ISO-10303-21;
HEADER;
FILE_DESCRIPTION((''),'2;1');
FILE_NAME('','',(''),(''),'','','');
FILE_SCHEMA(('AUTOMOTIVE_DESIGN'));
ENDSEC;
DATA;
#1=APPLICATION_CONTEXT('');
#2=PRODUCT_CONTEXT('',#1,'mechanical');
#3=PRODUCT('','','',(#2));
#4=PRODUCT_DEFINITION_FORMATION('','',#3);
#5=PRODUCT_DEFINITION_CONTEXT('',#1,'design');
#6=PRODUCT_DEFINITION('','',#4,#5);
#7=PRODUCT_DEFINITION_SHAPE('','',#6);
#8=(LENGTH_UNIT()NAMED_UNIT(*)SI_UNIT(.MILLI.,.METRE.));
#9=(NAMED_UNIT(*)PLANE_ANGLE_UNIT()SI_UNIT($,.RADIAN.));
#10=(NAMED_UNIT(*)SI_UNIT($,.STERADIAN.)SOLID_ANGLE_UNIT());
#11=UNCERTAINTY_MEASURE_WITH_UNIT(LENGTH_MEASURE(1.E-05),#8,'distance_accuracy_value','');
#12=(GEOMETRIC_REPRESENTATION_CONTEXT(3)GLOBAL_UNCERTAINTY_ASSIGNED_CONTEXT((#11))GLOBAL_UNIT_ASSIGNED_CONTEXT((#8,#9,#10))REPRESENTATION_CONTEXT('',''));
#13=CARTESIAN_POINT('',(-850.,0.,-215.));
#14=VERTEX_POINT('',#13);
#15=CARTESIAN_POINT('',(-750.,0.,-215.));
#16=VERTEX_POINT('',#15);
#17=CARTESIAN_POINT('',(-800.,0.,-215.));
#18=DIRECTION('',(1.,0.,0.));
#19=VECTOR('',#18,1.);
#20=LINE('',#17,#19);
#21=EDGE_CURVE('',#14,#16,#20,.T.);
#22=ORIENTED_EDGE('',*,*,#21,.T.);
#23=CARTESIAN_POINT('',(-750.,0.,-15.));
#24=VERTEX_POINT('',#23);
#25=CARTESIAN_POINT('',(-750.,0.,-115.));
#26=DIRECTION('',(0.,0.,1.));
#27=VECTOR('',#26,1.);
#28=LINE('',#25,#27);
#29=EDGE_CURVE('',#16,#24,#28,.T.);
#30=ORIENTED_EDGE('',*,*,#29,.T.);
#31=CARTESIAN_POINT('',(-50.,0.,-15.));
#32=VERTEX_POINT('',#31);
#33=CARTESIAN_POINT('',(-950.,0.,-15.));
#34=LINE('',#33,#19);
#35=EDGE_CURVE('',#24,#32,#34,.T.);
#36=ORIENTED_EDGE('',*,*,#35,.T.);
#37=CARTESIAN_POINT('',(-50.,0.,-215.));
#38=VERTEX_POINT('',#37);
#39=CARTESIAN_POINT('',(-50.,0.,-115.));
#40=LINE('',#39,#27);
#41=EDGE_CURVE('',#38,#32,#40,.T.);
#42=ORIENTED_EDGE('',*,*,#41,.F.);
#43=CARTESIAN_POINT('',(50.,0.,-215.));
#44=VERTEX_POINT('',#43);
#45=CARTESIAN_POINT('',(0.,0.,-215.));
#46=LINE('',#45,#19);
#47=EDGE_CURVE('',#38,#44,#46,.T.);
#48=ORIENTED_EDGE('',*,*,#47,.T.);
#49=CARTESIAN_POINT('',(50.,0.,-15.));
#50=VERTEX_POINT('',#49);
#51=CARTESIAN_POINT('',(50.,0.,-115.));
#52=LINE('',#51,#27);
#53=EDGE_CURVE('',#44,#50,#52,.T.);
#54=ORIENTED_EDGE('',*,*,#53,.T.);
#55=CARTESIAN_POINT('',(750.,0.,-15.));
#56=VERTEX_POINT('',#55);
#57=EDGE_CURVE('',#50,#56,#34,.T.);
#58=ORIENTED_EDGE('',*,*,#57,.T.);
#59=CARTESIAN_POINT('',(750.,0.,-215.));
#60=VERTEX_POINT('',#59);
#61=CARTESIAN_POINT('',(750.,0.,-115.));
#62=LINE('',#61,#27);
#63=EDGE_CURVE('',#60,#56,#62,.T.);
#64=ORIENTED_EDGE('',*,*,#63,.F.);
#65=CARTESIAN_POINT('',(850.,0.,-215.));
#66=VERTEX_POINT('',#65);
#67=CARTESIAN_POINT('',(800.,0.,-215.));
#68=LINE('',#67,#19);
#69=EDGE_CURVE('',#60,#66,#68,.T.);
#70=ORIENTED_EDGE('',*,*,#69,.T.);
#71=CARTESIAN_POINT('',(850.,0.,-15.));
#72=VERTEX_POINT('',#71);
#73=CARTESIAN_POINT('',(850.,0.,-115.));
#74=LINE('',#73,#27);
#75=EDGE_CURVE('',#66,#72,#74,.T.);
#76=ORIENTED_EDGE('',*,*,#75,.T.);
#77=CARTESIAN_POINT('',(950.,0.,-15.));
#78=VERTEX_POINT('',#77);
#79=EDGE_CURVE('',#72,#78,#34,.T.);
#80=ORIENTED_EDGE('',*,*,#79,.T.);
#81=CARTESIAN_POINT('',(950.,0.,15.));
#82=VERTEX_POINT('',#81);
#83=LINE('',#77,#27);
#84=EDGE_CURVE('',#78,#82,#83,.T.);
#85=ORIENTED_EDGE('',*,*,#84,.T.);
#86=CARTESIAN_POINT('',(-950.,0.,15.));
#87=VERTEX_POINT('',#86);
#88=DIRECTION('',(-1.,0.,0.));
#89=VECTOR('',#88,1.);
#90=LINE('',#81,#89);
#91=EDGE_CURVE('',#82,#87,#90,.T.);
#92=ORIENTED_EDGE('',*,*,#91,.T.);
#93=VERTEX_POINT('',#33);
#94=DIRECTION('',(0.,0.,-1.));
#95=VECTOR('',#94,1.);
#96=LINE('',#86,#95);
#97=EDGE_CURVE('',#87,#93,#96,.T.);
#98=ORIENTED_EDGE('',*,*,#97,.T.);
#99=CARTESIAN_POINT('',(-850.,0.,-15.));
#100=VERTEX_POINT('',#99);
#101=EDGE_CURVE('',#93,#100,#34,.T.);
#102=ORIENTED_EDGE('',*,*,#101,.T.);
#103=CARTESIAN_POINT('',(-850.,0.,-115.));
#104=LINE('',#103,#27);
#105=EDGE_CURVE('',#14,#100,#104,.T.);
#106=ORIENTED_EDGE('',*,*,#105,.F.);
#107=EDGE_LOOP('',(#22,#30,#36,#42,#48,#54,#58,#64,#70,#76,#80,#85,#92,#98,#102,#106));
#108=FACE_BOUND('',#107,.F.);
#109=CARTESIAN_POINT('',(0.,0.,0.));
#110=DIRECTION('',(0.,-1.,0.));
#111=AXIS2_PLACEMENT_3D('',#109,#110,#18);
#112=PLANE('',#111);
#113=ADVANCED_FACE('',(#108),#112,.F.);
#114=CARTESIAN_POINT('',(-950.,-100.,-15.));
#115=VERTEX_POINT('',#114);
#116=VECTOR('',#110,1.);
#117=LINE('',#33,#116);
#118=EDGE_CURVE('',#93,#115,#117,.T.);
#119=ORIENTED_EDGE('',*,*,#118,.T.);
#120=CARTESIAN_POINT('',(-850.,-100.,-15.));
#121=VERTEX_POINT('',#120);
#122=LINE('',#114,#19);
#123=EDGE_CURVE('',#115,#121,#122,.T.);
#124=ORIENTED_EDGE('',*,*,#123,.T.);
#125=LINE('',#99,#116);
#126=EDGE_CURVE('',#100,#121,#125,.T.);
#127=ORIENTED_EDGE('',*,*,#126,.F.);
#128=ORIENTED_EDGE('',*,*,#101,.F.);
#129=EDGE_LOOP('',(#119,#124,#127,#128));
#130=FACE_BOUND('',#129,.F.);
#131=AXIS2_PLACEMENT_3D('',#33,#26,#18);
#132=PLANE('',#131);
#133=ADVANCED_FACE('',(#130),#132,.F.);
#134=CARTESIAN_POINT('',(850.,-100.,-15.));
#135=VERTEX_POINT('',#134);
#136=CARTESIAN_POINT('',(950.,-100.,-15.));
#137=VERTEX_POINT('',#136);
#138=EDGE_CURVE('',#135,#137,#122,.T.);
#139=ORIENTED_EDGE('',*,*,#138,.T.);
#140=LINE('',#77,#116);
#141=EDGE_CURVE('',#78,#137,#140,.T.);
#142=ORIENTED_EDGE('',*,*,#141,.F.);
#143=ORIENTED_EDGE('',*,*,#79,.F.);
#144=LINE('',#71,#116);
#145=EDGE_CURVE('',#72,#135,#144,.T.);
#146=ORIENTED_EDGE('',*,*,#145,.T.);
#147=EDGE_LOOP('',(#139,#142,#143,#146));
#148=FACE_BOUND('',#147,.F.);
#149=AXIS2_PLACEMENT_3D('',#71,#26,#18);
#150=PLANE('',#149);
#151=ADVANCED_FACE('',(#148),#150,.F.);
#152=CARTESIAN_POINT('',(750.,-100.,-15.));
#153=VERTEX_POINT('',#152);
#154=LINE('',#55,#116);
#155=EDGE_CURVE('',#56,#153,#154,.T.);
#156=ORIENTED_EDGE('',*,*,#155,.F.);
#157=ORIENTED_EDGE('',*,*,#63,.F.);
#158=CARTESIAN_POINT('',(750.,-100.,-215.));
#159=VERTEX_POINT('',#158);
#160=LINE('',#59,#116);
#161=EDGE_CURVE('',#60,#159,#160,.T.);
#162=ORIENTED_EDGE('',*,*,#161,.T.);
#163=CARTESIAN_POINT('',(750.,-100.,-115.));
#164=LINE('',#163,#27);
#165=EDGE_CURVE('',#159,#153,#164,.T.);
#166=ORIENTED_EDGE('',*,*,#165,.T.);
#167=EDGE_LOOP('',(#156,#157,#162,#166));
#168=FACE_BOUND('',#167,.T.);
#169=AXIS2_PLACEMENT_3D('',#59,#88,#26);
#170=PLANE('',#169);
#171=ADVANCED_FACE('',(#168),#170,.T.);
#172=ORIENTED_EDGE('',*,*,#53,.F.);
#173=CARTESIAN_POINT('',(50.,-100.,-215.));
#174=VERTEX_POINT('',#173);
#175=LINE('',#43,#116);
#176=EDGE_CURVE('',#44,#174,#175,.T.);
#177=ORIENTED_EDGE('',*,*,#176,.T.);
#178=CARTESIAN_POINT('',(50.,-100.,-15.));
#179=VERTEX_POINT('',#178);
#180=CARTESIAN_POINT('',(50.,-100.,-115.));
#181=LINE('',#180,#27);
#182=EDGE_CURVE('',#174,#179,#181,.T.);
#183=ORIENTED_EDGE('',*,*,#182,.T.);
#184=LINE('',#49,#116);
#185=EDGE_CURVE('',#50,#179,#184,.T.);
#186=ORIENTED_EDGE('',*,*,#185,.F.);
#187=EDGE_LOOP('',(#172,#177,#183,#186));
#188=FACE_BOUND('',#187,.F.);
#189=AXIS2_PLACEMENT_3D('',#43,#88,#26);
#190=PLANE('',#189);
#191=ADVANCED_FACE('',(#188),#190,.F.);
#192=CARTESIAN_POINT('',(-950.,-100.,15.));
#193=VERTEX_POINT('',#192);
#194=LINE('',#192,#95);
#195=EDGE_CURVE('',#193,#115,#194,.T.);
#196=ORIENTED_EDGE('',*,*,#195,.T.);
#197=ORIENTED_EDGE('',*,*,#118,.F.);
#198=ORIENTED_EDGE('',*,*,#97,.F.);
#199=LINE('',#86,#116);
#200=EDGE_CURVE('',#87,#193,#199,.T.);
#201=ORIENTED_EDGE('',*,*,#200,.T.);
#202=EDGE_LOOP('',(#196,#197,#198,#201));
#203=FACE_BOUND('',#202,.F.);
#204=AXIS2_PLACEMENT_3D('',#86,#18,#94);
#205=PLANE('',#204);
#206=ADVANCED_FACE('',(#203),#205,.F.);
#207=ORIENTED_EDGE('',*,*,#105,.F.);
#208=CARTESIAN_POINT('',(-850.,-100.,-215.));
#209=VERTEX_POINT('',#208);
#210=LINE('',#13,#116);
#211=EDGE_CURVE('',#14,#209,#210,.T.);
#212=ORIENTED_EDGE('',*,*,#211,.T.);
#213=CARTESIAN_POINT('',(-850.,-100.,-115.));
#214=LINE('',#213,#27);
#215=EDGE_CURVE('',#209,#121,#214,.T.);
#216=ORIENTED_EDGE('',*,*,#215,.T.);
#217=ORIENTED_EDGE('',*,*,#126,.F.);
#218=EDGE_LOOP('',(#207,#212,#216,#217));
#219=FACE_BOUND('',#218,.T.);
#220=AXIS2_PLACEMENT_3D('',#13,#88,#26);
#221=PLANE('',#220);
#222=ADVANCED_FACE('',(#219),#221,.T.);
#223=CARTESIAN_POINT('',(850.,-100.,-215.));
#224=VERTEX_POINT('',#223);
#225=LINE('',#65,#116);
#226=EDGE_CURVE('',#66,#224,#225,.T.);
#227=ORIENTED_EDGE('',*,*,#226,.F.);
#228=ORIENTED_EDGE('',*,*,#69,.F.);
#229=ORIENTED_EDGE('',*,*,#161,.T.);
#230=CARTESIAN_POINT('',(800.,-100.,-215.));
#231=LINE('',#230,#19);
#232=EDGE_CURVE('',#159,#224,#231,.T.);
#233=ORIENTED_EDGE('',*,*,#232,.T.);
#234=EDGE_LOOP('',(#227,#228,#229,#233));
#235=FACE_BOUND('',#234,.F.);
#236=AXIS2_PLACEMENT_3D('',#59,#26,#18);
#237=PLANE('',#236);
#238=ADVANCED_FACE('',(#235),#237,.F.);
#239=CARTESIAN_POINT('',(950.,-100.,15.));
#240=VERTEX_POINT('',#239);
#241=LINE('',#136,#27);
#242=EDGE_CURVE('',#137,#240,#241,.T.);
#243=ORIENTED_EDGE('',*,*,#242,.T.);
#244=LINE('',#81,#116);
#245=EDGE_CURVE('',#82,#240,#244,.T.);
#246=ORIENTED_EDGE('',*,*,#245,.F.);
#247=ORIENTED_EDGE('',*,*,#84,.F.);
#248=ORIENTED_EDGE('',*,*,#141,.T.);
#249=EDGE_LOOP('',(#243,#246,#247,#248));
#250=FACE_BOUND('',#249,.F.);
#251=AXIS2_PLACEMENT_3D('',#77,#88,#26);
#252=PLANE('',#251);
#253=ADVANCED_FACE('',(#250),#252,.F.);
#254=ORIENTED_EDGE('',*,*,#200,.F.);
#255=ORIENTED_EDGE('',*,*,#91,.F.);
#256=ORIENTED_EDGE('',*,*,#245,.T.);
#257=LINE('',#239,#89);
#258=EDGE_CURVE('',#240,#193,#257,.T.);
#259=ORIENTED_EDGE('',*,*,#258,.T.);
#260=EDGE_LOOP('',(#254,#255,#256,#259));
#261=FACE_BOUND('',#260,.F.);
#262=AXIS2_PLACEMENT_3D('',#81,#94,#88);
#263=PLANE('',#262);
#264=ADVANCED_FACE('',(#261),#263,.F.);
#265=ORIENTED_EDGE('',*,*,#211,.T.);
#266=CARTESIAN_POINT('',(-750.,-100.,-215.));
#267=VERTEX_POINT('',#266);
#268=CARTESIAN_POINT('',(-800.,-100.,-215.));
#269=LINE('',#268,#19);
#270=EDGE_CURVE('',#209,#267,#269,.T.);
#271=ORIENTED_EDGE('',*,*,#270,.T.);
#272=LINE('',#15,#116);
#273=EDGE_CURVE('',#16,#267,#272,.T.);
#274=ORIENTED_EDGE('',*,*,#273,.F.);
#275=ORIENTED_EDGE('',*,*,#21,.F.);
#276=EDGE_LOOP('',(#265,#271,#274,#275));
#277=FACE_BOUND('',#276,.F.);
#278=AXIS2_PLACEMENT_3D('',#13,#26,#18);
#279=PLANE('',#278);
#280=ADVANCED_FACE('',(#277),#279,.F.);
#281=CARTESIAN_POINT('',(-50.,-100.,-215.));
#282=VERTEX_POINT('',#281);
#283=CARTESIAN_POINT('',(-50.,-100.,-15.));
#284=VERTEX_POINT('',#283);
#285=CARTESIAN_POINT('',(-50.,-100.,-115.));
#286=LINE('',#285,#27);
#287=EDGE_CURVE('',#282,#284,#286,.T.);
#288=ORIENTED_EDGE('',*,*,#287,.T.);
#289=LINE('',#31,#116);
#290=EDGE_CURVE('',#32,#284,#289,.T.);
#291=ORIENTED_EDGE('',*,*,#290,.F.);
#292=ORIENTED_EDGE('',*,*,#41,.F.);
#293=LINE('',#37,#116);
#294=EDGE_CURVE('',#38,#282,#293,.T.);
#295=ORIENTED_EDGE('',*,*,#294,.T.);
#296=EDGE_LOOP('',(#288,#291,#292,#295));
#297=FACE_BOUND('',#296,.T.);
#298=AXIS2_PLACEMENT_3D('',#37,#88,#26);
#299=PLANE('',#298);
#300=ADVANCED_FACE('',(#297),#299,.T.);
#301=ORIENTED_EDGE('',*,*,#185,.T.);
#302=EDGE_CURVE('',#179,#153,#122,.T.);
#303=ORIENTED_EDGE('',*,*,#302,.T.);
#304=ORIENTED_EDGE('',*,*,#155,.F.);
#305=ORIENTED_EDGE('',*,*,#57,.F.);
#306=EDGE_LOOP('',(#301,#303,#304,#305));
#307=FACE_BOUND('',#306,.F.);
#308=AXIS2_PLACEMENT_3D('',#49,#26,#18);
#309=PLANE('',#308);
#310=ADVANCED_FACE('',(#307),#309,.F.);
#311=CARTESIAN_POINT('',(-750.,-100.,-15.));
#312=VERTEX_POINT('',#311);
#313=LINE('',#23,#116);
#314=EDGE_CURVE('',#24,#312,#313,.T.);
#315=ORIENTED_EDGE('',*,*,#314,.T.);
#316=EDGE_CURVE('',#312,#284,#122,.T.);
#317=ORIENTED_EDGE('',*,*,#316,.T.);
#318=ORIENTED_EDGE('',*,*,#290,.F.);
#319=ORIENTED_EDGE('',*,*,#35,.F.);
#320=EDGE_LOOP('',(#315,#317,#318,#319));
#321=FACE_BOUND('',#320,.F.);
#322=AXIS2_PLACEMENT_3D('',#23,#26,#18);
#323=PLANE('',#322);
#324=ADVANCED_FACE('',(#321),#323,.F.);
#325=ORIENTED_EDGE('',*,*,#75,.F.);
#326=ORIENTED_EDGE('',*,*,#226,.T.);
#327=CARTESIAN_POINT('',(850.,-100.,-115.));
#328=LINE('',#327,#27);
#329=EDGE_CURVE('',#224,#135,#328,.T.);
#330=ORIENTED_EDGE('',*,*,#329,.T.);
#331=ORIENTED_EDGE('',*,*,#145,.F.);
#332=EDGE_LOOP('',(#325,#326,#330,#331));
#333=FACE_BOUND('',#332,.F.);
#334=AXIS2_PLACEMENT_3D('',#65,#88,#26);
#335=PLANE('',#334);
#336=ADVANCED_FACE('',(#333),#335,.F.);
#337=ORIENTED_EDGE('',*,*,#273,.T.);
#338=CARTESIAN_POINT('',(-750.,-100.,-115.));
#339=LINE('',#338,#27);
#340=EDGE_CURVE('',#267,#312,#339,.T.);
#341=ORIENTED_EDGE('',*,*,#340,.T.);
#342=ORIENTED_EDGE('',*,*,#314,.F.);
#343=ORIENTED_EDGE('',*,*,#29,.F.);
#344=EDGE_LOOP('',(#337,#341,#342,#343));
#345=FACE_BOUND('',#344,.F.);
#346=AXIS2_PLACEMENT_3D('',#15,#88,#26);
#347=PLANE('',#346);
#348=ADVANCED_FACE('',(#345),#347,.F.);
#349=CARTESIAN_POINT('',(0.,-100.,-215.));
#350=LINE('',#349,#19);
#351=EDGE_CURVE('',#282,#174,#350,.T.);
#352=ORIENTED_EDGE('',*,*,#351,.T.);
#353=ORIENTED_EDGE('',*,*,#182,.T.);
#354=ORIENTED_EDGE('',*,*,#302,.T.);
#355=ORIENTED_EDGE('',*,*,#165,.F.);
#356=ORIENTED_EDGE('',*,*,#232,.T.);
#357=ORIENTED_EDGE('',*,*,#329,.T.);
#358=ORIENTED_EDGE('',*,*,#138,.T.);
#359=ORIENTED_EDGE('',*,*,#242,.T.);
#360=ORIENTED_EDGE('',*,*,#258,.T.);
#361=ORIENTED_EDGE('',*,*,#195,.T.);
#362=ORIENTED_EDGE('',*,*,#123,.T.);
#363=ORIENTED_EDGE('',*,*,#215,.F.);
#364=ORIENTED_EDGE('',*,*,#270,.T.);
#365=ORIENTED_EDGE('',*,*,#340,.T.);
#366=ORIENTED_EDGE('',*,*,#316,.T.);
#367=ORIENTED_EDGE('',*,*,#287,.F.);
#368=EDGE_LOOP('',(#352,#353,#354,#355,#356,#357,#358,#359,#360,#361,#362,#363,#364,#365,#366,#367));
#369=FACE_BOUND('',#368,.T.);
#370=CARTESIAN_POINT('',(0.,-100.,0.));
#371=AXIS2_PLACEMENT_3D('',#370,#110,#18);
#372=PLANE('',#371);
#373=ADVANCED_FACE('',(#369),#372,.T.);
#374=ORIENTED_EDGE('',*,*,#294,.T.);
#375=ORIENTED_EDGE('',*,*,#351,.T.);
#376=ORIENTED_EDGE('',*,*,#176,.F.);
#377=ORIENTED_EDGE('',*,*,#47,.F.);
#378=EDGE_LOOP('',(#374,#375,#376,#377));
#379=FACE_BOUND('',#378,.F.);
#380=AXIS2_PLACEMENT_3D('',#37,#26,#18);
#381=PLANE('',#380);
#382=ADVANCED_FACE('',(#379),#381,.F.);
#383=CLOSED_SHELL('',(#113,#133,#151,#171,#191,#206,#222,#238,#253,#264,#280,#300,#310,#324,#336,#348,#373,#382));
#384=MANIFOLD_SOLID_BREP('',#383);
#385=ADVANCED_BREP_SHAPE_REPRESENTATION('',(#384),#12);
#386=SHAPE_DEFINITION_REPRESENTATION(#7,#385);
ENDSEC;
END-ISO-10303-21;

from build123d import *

# Parameters (mm, degrees)
F0_W     = 100
F0_H     = 200
F1_DEPTH = 100


with BuildPart() as f1:
    # F0 (on Front) → F1 (new body)
    with BuildSketch(Plane.XZ):
        Polygon((850, -15), (950, -15), (950, 15), (-950, 15), (-950, -15), (-850, -15), (-750, -15), (-50, -15), (50, -15), (750, -15), align=None)
        with Locations((800, -115)):
            Rectangle(F0_W, F0_H)
        with Locations((0, -115)):
            Rectangle(F0_W, F0_H)
        with Locations((-800, -115)):
            Rectangle(F0_W, F0_H)
    extrude(amount=F1_DEPTH)


solid = f1.part
